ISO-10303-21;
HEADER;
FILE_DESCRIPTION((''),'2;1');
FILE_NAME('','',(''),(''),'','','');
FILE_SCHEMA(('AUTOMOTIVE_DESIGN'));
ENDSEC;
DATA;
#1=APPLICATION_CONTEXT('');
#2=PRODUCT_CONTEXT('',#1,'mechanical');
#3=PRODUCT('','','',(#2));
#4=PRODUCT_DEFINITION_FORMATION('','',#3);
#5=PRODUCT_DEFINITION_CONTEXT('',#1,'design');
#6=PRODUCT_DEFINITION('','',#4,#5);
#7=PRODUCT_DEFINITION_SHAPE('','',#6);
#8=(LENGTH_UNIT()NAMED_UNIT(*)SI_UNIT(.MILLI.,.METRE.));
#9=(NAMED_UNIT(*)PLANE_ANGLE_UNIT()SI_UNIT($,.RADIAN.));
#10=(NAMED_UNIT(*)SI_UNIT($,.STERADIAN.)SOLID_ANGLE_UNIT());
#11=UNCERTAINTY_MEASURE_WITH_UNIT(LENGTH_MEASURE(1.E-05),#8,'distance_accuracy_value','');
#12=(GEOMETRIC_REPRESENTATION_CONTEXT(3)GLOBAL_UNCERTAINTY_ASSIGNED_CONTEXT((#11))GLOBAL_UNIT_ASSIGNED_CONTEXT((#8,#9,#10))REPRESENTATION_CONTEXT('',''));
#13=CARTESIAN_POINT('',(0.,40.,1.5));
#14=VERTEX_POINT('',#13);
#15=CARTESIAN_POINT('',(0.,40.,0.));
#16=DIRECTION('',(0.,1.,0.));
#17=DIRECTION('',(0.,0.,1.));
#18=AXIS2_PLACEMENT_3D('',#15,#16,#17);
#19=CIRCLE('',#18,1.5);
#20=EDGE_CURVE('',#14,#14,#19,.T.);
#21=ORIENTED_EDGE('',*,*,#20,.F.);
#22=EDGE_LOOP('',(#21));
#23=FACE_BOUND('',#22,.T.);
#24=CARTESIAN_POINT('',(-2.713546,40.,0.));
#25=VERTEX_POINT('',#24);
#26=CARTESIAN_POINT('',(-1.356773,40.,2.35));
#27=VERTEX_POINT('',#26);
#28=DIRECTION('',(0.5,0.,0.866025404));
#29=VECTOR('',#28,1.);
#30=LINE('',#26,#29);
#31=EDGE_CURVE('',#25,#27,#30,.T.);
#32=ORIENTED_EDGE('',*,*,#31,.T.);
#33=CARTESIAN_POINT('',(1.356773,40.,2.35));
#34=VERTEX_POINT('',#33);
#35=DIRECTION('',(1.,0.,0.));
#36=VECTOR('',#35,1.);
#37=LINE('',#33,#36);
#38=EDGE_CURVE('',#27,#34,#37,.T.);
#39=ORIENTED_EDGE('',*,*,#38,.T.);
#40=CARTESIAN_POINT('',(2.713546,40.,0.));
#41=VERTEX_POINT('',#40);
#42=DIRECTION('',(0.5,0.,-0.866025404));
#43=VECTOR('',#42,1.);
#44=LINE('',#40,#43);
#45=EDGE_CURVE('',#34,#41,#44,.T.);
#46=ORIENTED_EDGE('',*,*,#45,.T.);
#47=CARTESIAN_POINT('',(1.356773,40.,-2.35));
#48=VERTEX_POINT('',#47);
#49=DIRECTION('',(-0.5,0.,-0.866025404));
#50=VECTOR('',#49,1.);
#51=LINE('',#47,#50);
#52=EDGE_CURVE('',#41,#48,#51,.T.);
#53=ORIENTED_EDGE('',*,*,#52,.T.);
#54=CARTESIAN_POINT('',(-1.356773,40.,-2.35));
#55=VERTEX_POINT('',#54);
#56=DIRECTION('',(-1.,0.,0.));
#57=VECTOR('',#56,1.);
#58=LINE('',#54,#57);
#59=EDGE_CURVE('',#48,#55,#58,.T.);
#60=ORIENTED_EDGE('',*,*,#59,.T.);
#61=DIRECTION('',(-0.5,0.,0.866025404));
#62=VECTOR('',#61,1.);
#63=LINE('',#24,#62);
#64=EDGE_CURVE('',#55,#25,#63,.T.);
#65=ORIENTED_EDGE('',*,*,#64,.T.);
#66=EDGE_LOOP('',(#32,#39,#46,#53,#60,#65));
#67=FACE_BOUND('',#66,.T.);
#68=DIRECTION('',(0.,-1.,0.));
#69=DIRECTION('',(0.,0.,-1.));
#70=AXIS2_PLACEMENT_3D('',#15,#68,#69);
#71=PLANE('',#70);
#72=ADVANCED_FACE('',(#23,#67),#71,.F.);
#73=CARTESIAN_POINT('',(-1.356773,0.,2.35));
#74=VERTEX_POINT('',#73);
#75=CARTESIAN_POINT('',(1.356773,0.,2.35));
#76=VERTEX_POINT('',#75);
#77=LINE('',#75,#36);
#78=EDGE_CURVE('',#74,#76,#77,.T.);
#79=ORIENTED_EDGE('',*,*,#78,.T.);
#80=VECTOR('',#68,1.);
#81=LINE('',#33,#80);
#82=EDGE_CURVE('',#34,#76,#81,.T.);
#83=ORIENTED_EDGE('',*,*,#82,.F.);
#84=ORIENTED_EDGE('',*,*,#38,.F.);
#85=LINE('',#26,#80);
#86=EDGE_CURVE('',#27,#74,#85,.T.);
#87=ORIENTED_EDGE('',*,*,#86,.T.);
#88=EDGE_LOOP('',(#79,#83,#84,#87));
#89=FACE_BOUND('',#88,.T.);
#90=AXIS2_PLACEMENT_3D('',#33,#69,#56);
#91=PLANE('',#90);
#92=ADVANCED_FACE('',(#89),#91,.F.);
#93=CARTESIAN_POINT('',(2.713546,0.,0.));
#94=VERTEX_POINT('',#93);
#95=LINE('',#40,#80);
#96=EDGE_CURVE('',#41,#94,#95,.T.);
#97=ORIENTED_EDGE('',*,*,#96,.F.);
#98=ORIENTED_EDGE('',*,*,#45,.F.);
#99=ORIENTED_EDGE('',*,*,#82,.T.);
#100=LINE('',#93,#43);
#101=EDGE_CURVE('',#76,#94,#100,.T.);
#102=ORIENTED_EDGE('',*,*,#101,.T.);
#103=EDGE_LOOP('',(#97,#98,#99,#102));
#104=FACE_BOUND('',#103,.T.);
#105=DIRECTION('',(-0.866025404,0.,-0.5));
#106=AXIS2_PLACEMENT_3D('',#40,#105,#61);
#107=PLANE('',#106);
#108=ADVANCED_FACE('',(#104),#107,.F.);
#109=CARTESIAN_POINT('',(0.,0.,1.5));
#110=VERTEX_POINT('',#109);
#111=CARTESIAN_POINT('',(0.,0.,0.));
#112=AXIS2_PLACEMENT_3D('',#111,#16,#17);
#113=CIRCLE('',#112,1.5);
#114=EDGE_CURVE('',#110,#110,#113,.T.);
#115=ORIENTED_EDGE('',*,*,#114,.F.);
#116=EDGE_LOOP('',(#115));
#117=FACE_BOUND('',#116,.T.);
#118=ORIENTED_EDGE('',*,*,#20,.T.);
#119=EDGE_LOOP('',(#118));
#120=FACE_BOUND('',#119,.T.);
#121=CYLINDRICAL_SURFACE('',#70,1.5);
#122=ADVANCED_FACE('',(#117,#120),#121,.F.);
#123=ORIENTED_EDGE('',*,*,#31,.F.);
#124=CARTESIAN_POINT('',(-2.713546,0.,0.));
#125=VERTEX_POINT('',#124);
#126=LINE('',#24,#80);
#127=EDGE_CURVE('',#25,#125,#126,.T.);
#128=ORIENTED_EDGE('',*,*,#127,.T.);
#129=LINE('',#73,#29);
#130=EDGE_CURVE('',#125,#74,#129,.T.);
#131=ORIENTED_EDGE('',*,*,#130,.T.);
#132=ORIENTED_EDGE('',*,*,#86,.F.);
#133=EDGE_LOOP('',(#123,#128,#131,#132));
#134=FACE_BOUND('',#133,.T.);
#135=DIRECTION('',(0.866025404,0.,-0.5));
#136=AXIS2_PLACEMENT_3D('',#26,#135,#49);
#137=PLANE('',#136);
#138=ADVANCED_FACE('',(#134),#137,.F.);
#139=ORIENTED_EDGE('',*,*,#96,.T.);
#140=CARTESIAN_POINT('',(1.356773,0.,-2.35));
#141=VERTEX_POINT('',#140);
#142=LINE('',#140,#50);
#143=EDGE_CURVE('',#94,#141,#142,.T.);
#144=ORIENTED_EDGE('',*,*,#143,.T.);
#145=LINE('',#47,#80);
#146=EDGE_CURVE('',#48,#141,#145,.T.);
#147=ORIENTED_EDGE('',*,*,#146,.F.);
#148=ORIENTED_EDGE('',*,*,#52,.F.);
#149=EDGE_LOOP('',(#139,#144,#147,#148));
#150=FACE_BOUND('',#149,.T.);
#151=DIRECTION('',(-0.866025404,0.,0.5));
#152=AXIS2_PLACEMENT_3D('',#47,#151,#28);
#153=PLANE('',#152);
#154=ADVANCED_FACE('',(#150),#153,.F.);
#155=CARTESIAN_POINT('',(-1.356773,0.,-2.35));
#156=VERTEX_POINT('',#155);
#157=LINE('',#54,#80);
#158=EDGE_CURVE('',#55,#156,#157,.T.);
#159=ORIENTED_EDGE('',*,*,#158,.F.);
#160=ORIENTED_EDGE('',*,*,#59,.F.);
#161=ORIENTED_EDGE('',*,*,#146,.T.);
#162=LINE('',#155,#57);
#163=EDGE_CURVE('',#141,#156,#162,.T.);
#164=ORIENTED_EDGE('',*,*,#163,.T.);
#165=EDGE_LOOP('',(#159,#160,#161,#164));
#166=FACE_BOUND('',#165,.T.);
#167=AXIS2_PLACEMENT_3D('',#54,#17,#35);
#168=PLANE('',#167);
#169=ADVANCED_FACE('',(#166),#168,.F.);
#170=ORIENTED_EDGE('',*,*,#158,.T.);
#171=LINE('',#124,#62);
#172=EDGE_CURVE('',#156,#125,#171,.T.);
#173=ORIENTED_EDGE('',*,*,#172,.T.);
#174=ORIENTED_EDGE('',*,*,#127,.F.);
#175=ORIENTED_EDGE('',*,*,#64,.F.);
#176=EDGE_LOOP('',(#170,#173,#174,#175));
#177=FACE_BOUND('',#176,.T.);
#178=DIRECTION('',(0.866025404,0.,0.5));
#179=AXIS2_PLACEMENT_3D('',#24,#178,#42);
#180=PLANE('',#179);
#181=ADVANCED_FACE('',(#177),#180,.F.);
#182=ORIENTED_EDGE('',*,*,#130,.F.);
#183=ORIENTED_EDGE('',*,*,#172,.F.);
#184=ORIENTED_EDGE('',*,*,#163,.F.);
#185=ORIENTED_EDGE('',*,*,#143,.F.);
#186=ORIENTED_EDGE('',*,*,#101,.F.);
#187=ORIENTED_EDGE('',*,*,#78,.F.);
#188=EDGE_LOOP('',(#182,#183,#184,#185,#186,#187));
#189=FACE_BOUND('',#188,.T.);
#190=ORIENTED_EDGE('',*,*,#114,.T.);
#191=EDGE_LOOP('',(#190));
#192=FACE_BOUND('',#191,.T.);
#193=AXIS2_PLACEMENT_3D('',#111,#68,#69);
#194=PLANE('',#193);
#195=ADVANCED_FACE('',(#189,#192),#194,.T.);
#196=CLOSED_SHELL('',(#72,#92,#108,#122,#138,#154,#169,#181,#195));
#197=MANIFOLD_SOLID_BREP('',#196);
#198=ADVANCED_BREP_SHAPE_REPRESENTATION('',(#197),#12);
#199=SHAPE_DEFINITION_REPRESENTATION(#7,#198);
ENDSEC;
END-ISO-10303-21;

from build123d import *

# Parameters (mm, degrees)
SKETCH_1_R      = 1.5
EXTRUDE_1_DEPTH = 40


with BuildPart() as part:
    # 草图1 → 凸台-拉伸1 (new body)
    with BuildSketch(Plane(origin=(0, 0, 0), x_dir=(1, 0, 0), z_dir=(0, 1, 0))):
        Polygon((-1.356773133, 2.35), (1.356773133, 2.35), (2.713546265, 0), (1.356773133, -2.35), (-1.356773133, -2.35), (-2.713546265, 0), align=None)
        Circle(SKETCH_1_R, mode=Mode.SUBTRACT)
    extrude(amount=EXTRUDE_1_DEPTH)


solid = part.part
